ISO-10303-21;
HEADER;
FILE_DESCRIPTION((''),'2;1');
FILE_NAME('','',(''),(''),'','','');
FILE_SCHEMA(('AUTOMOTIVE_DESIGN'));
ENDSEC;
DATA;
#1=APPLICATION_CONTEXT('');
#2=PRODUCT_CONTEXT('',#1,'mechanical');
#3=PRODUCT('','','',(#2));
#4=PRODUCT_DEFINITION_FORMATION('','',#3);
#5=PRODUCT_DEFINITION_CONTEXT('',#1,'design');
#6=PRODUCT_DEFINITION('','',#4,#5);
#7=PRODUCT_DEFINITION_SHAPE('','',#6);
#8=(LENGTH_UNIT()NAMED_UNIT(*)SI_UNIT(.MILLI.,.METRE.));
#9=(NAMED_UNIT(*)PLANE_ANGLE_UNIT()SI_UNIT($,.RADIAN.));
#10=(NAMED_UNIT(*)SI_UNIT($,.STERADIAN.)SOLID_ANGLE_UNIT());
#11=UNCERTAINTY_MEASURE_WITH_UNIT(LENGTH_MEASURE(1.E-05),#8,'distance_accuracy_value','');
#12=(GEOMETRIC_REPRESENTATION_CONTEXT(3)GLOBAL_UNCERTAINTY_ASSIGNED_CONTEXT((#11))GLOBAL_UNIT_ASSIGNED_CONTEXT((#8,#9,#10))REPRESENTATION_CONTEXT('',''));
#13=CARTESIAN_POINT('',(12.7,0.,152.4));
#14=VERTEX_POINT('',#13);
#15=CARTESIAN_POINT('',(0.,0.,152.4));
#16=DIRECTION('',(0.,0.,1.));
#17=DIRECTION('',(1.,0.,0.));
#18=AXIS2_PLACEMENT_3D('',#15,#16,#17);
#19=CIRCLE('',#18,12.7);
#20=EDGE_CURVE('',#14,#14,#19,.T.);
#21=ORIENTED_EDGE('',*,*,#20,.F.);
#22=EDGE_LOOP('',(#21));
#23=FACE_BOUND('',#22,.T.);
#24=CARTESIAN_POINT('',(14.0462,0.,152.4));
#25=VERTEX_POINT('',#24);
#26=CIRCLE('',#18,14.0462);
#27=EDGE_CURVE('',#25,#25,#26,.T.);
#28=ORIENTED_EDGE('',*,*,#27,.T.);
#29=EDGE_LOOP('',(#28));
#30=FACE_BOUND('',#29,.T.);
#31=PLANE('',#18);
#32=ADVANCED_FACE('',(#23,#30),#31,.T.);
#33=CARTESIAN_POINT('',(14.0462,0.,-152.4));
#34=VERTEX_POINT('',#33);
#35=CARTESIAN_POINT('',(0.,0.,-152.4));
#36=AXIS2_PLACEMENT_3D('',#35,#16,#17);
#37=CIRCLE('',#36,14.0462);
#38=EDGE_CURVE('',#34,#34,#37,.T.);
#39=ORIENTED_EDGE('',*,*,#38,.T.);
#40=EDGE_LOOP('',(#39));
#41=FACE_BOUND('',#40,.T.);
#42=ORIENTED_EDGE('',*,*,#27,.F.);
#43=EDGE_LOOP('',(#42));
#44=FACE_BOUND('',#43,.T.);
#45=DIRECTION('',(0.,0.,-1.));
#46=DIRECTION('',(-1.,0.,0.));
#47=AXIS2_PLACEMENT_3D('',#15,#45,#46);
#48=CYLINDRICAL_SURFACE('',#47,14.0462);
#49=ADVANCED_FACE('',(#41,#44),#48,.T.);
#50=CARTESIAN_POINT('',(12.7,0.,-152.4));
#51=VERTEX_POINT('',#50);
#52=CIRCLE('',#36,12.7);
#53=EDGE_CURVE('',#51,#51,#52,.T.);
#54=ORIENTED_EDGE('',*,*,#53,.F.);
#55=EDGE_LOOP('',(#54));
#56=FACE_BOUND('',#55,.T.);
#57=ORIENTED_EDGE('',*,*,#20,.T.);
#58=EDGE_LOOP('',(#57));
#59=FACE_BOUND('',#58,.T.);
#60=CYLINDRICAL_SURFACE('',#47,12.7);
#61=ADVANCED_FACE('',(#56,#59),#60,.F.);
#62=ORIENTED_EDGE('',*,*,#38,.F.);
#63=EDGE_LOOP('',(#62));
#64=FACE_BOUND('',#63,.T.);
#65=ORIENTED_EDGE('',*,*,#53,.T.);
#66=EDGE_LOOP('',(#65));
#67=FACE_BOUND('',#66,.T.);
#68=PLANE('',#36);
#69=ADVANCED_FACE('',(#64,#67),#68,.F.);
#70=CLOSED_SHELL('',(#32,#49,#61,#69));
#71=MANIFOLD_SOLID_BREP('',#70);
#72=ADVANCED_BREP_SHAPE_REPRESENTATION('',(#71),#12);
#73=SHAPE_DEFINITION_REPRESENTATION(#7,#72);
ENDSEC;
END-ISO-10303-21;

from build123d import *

# Parameters (mm, degrees)
SKETCH1_R           = 14.0462
SKETCH1_R_2         = 12.7
EXTRUDE_THIN1_DEPTH = 152.4


with BuildPart() as part:
    # Sketch1 → Extrude-Thin1 (new body, symmetric)
    with BuildSketch(Plane.XY):
        Circle(SKETCH1_R)
        Circle(SKETCH1_R_2, mode=Mode.SUBTRACT)
    extrude(amount=EXTRUDE_THIN1_DEPTH, both=True)


solid = part.part
